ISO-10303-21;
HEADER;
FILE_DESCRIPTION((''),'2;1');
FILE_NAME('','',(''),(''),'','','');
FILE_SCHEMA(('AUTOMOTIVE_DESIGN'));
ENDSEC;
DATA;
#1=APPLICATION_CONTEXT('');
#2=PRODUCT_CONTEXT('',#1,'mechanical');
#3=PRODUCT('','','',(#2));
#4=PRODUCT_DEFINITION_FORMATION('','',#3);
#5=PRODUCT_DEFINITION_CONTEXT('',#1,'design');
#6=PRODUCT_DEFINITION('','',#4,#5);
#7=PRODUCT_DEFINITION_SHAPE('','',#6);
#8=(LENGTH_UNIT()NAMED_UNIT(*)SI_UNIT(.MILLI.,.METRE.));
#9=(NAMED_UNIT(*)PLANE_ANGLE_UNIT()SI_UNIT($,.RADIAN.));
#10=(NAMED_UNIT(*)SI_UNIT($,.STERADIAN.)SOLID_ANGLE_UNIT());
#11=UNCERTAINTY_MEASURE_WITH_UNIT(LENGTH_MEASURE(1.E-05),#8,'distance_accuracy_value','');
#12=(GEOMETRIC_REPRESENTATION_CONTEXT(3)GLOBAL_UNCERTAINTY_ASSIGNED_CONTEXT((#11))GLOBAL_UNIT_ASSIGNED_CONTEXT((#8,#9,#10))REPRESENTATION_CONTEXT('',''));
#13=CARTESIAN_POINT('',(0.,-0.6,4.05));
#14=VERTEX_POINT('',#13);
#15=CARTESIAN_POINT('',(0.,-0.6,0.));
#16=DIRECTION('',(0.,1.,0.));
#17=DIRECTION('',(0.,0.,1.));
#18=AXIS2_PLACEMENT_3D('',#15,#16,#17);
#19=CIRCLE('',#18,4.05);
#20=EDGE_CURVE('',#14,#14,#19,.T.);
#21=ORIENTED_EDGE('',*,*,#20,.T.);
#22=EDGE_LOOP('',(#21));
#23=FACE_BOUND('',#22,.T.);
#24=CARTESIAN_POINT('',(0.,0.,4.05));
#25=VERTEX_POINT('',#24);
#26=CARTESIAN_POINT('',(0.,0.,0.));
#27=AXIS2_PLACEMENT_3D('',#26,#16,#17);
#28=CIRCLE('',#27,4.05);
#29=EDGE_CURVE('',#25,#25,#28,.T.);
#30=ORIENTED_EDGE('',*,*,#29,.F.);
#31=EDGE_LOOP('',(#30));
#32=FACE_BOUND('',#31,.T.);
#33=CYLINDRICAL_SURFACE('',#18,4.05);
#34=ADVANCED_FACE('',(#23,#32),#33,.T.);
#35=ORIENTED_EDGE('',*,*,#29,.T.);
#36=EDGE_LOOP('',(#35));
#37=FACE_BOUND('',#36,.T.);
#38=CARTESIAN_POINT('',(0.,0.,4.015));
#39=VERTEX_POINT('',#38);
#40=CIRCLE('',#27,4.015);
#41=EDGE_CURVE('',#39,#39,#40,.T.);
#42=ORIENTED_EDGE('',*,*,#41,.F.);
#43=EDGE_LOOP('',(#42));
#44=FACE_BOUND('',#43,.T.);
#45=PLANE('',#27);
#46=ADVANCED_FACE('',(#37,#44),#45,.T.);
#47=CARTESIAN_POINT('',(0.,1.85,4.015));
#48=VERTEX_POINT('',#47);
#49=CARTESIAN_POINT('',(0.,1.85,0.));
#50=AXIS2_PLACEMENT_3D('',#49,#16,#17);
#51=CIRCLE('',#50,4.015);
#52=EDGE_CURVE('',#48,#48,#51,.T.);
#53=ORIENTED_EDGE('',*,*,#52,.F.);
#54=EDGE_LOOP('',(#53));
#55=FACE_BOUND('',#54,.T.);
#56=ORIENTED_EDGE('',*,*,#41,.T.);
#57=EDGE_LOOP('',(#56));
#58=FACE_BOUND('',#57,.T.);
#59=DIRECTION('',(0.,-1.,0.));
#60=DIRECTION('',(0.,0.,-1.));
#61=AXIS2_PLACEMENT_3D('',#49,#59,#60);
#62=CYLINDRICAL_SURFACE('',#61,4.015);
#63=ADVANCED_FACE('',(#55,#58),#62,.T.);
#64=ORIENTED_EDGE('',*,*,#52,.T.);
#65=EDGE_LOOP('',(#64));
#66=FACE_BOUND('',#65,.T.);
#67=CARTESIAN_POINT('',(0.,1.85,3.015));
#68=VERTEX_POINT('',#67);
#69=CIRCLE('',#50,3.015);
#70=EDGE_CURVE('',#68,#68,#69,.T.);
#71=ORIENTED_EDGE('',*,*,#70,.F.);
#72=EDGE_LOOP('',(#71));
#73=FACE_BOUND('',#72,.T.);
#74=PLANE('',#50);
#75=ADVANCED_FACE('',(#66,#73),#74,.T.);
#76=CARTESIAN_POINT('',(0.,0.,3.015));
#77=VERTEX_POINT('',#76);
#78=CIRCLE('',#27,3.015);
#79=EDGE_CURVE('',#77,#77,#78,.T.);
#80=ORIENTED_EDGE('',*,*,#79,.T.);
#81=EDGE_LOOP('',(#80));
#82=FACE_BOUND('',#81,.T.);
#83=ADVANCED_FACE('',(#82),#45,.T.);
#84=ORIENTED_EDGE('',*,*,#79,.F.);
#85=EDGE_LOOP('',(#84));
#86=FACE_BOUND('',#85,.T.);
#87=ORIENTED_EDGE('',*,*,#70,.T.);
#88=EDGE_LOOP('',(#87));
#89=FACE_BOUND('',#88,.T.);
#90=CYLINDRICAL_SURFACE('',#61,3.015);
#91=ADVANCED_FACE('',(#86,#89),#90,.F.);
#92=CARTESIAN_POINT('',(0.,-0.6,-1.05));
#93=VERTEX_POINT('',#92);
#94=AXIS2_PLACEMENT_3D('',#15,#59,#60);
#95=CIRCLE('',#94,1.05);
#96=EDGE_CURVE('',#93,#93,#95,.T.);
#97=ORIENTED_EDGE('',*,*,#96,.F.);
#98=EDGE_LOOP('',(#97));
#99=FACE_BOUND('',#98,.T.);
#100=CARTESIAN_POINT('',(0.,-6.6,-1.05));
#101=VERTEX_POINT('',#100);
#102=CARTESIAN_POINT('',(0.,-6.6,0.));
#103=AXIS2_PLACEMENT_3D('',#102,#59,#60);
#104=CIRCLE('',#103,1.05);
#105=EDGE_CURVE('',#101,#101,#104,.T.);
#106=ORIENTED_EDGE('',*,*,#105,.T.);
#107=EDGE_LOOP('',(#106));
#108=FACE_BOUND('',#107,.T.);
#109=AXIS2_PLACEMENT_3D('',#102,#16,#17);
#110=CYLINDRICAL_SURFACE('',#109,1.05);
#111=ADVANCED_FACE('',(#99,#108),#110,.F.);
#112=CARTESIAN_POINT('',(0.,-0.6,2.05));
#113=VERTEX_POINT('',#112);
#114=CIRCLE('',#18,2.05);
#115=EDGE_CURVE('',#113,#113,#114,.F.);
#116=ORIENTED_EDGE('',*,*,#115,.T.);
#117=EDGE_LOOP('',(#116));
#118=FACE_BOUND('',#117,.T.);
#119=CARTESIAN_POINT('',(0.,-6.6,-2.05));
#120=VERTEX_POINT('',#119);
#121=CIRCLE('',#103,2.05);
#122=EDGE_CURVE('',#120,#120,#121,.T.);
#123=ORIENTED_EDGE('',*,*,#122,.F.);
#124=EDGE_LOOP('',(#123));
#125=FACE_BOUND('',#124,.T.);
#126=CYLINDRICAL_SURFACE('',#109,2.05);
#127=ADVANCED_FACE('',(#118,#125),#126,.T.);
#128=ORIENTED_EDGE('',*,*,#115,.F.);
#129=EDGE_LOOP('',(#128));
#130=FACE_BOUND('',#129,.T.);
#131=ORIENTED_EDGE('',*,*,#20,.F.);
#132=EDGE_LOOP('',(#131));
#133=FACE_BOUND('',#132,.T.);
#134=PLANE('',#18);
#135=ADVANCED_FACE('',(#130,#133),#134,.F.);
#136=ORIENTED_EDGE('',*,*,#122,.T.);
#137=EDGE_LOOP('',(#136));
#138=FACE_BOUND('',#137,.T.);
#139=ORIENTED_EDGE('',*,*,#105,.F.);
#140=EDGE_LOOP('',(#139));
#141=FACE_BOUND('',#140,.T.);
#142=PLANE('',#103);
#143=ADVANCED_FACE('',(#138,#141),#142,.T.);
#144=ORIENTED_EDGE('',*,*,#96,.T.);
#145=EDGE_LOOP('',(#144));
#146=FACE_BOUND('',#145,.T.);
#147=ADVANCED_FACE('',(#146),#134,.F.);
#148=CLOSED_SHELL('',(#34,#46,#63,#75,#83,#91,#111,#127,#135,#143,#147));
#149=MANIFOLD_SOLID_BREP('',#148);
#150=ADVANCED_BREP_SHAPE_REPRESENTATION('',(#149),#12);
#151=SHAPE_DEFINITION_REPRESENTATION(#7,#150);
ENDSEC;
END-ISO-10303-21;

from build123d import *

# Parameters (mm, degrees)
SKETCH1_R           = 4.015
SKETCH1_R_2         = 3.015
BOSS_EXTRUDE1_DEPTH = 1.85
SKETCH2_R           = 4.05
BOSS_EXTRUDE2_DEPTH = 0.6
SKETCH3_R           = 2.05
SKETCH3_R_2         = 1.05
BOSS_EXTRUDE3_DEPTH = 6


with BuildPart() as part:
    # Sketch1 → Boss-Extrude1 (new body)
    with BuildSketch(Plane(origin=(0, 0, 0), x_dir=(1, 0, 0), z_dir=(0, 1, 0))):
        Circle(SKETCH1_R)
        Circle(SKETCH1_R_2, mode=Mode.SUBTRACT)
    extrude(amount=BOSS_EXTRUDE1_DEPTH)

    # Sketch2 → Boss-Extrude2 (add)
    with BuildSketch(Plane(origin=(0, 0, 0), x_dir=(1, 0, 0), z_dir=(0, 1, 0))):
        Circle(SKETCH2_R)
    extrude(amount=-BOSS_EXTRUDE2_DEPTH)

    # Sketch3 → Boss-Extrude3 (add)
    with BuildSketch(Plane.XZ.offset(0.6)):
        Circle(SKETCH3_R)
        Circle(SKETCH3_R_2, mode=Mode.SUBTRACT)
    extrude(amount=BOSS_EXTRUDE3_DEPTH)


solid = part.part
